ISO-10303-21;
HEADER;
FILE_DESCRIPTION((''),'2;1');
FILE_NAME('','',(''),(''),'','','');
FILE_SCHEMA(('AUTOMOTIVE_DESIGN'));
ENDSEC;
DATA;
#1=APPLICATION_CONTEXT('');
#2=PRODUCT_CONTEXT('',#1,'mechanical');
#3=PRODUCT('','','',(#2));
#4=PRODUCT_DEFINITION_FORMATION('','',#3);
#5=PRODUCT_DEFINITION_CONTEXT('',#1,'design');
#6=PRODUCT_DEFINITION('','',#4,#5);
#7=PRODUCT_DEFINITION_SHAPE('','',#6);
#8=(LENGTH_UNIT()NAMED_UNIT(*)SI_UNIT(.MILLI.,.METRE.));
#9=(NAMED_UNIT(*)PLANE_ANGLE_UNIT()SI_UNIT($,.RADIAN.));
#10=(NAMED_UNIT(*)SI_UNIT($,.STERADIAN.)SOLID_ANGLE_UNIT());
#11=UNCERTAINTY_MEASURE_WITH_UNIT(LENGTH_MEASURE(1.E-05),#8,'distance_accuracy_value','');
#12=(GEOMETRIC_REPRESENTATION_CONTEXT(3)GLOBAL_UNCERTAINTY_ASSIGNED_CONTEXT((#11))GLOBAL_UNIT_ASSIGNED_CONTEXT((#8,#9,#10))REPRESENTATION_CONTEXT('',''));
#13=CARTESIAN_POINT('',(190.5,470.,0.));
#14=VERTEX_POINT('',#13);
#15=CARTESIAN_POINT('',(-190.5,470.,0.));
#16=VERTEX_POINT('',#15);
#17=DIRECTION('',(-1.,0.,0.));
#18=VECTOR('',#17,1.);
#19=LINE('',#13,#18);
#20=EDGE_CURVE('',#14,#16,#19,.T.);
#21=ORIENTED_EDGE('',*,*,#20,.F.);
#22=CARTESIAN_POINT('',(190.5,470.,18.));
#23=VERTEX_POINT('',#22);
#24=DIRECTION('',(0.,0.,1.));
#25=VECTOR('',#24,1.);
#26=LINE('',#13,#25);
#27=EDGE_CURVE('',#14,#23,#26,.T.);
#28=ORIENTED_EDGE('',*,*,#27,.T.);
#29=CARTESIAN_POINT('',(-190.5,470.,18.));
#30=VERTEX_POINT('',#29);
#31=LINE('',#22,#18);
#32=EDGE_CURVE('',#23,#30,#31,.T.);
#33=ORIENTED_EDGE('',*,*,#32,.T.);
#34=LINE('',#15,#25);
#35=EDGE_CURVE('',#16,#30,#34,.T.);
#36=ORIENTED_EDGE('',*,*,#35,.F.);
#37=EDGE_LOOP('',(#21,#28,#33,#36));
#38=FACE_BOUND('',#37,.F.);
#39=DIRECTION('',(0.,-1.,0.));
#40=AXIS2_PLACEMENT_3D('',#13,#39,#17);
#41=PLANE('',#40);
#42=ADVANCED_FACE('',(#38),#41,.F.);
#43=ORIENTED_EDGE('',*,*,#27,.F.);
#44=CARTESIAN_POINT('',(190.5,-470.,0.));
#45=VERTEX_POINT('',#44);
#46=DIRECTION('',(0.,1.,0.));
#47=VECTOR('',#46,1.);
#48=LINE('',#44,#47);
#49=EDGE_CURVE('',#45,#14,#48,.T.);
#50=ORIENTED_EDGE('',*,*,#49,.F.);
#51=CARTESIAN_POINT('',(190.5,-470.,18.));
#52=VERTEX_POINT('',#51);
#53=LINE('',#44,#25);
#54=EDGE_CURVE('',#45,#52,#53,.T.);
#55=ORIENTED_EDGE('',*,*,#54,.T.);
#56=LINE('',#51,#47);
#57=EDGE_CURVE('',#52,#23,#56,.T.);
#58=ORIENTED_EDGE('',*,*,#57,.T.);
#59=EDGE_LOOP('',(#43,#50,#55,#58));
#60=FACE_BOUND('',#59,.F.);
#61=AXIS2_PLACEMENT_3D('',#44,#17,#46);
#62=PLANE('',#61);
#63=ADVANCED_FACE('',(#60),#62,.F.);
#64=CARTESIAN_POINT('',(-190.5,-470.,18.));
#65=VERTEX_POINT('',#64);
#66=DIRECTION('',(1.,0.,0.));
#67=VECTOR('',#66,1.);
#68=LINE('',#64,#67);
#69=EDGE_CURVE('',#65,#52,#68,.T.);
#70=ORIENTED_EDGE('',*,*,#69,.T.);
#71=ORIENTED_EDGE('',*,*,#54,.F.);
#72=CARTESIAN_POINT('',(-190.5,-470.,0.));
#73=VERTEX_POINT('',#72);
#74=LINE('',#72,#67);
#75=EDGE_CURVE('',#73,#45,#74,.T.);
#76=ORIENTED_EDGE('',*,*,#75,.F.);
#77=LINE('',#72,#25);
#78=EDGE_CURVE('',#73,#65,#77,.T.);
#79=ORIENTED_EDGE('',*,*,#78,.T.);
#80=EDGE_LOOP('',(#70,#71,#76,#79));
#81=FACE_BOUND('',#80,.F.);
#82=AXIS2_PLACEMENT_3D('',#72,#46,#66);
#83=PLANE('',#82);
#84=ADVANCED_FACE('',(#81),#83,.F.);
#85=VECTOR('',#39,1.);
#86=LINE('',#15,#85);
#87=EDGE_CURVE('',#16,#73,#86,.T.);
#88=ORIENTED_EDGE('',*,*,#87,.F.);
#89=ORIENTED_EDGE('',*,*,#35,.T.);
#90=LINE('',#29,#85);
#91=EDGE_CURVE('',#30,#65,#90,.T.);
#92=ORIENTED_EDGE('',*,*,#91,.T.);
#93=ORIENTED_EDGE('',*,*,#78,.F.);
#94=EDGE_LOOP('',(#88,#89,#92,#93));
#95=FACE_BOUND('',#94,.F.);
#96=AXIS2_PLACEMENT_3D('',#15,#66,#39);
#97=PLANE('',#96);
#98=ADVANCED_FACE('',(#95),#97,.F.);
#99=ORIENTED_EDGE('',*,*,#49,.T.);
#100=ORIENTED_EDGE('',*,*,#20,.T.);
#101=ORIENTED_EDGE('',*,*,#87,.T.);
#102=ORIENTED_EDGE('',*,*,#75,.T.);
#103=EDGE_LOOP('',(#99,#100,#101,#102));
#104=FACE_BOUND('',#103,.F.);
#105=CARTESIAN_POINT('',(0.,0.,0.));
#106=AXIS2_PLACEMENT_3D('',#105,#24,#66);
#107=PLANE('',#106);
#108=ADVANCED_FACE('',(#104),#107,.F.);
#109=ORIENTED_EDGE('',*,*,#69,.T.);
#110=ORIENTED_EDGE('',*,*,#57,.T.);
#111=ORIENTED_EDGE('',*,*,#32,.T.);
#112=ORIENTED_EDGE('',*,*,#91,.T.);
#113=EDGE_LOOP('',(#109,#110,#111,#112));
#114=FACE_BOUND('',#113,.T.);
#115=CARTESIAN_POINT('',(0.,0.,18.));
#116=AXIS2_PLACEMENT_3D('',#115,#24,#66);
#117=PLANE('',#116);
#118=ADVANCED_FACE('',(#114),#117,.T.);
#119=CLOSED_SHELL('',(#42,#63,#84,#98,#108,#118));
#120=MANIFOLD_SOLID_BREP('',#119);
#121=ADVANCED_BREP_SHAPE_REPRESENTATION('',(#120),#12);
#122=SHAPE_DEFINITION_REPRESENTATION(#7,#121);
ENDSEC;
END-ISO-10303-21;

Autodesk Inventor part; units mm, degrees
ref_plane "YZ Plane" through (0, 0, 0) normal (1, 0, 0) x (0, 1, 0)
ref_plane "XZ Plane" through (0, 0, 0) normal (0, 1, 0) x (-1, 0, 0)
ref_plane "XY Plane" through (0, 0, 0) normal (0, 0, 1) x (1, 0, 0)
sketch "Sketch1" plane through (0, 0, 0) normal (0, 0, 1) x (1, 0, 0)
  line L0 (-190.5, -470) -> (190.5, -470)
  line L1 (190.5, -470) -> (190.5, 470)
  line L2 (190.5, 470) -> (-190.5, 470)
  line L3 (-190.5, 470) -> (-190.5, -470)
  line L4 (-190.5, -470) -> (190.5, 470) construction
  line L5 (190.5, -470) -> (-190.5, 470) construction
  point P0 (0, 0)
  dimension "d0" = 381
  dimension "d1" = 940
extrude "Extrusion1" add sketch "Sketch1" along normal blind 18
properties part number "wozek-bok"
